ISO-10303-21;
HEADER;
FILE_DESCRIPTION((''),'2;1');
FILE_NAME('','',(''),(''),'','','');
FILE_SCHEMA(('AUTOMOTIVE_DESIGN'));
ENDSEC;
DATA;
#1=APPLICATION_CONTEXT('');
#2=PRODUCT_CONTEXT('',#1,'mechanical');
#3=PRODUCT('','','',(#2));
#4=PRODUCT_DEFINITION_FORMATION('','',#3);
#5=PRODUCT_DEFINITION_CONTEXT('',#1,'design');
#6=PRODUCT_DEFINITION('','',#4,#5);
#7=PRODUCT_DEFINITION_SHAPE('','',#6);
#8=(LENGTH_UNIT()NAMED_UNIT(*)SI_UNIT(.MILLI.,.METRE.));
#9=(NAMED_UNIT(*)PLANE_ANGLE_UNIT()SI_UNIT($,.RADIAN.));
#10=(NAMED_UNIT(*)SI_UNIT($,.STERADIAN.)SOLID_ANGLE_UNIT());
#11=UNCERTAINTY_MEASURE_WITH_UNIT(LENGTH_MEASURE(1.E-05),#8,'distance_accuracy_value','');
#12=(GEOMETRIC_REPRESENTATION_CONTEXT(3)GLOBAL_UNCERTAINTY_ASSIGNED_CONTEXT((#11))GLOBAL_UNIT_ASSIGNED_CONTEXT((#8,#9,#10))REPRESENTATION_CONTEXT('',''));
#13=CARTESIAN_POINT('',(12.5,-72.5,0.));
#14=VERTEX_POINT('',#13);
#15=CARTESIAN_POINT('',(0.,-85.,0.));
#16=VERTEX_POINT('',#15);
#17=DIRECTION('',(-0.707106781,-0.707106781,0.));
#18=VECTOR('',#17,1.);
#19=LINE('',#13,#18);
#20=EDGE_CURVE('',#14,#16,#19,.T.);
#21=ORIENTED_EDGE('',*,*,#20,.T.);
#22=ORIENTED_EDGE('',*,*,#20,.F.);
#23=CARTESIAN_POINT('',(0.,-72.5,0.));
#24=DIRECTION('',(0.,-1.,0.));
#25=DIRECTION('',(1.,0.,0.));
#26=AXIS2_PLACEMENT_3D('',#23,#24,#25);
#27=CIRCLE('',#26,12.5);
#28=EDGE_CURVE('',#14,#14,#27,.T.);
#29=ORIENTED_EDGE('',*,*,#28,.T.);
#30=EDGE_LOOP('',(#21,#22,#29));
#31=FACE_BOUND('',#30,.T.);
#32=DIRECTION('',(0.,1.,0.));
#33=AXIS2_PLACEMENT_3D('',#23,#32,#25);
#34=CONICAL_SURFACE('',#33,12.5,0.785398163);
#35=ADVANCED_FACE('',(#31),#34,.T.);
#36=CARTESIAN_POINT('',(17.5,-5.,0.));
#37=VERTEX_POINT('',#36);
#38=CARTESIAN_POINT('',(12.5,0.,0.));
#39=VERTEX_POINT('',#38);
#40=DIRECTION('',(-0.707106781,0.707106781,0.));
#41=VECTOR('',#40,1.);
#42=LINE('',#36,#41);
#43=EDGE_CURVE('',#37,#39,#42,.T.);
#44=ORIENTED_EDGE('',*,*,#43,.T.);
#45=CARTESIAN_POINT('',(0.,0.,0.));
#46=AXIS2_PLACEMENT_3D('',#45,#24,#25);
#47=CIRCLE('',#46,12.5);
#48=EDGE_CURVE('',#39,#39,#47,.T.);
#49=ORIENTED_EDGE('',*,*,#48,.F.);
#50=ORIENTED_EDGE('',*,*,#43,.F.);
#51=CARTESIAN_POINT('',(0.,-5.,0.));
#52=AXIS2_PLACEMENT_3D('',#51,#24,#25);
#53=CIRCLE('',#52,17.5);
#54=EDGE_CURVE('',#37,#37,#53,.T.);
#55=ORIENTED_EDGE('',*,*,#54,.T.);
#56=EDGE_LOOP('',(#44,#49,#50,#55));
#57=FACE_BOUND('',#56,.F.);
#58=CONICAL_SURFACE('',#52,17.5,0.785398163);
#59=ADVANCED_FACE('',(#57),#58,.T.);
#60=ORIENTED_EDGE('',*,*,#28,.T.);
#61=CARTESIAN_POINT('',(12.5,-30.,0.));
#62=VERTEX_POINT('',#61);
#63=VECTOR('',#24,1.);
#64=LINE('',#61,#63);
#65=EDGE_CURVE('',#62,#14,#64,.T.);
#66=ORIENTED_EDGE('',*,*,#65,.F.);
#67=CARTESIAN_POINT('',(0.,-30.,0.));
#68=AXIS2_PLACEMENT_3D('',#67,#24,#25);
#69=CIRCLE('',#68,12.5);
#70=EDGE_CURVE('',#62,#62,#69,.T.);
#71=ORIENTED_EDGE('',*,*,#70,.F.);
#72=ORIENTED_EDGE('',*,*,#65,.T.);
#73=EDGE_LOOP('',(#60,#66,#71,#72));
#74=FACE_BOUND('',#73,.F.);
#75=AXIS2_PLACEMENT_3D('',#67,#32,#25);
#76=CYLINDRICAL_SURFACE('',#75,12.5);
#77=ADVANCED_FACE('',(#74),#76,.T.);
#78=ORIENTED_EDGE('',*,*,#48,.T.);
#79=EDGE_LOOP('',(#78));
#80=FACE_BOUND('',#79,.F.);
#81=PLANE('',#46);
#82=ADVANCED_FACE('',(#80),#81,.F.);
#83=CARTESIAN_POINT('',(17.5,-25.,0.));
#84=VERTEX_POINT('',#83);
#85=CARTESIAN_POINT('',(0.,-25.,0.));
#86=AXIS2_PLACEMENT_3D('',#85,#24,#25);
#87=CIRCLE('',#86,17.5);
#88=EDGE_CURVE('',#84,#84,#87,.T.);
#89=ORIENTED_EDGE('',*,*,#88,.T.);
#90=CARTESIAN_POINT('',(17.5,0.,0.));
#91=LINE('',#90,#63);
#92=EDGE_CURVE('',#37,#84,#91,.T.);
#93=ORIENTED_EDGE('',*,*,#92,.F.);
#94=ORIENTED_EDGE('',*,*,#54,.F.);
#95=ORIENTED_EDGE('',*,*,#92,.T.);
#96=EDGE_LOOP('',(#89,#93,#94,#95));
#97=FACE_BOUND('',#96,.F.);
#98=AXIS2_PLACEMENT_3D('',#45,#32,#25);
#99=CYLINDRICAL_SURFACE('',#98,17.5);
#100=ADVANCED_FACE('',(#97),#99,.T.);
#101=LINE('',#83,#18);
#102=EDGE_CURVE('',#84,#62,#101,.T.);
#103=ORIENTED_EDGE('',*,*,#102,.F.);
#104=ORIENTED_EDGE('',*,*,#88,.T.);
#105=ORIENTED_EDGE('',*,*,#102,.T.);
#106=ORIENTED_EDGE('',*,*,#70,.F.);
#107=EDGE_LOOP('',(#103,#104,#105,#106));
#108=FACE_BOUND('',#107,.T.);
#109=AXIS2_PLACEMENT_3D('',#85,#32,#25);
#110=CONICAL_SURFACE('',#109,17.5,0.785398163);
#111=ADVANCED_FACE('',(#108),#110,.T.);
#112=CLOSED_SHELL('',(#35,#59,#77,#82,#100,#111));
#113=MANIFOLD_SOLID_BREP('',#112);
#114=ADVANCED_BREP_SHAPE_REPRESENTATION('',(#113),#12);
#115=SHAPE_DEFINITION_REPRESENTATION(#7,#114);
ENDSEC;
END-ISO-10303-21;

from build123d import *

# Parameters (mm, degrees)
F0_R      = 17.5
F1_DEPTH  = 30
F2_SIZE   = 5
F3_R      = 8.75
F1_FACE_R = 12.5
F4_DEPTH  = 55
F5_SIZE   = 12.5


with BuildPart() as f1:
    # F0 (on Front) → F1 (new body)
    with BuildSketch(Plane.XZ):
        Circle(F0_R)
    extrude(amount=F1_DEPTH)

    # F2
    f2_edges = [f1.edges().sort_by_distance(p)[0] for p in [
        (17.5, -15, 0),
        (-17.5, 0, 0),
        (-17.5, -30, 0),
    ]]
    chamfer(f2_edges, length=F2_SIZE)

    # F3 (on Front) + F1_face (on face) → F4 (join)
    with BuildSketch(Plane.XZ):
        Circle(F3_R)
    with BuildSketch(Plane.XZ.offset(30)):
        Circle(F1_FACE_R)
    extrude(amount=F4_DEPTH)

    # F5
    f5_edges = [f1.edges().sort_by_distance(p)[0] for p in [
        (-12.5, -85, 0),
    ]]
    chamfer(f5_edges, length=F5_SIZE)


solid = f1.part
